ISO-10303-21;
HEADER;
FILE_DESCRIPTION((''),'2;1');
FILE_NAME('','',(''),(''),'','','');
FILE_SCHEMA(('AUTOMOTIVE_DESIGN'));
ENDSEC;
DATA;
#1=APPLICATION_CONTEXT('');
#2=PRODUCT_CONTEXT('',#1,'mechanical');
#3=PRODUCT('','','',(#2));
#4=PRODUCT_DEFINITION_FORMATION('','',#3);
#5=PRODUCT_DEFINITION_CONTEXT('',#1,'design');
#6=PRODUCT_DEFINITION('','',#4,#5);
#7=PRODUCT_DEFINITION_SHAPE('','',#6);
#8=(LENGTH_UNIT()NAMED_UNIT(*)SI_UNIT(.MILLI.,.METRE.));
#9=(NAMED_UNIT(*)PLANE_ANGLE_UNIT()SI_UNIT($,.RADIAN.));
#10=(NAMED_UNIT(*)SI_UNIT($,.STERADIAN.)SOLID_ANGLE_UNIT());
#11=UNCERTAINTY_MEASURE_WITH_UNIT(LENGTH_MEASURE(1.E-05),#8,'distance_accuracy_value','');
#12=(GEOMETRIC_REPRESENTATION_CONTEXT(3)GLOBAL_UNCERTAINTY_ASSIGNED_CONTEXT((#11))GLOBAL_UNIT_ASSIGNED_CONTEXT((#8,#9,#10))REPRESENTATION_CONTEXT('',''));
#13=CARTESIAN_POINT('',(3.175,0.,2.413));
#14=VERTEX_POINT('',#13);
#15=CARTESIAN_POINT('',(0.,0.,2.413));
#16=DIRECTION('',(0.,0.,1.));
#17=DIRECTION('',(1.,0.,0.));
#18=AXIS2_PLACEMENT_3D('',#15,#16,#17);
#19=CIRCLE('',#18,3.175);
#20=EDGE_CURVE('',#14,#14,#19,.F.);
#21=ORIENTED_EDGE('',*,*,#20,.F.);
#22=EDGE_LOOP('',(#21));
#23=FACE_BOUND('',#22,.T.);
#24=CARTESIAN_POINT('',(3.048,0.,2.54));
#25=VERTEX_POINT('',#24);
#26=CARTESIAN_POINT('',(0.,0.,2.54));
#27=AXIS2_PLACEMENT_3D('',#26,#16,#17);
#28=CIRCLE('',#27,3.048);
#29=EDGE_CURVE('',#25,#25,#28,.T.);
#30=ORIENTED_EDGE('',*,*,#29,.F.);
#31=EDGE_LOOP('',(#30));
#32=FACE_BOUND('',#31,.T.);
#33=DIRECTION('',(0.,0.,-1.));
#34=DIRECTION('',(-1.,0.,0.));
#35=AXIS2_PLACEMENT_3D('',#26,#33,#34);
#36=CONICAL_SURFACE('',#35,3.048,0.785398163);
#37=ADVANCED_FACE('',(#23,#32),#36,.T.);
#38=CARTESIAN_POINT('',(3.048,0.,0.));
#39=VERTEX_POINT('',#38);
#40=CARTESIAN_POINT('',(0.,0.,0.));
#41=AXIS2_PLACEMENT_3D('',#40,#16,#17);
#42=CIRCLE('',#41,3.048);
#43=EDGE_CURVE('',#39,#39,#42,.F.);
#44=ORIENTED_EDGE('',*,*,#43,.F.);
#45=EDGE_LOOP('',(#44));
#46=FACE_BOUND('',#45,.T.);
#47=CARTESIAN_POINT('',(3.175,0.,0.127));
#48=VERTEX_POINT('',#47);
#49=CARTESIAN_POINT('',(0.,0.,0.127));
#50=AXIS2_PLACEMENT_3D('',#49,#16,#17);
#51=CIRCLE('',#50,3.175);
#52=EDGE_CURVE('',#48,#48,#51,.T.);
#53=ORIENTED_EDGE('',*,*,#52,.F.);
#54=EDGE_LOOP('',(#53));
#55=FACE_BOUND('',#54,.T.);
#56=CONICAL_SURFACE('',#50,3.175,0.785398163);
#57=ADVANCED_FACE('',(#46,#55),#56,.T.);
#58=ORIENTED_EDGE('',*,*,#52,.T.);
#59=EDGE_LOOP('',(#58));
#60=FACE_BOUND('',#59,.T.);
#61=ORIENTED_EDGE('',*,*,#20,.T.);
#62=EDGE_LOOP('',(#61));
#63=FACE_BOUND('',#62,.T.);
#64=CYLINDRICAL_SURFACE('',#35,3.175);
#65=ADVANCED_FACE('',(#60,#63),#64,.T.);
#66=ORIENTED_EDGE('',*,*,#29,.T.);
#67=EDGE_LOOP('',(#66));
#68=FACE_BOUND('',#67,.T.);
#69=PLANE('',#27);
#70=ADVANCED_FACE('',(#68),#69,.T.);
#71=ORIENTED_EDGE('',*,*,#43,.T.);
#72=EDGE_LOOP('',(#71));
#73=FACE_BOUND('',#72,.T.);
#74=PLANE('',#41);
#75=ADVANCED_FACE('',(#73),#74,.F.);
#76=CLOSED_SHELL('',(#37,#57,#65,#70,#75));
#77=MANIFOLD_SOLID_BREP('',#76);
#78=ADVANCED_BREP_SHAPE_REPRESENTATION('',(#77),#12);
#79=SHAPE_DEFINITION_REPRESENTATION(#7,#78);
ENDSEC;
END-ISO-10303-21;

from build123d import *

# Parameters (mm, degrees)
SKETCH1_R           = 3.175
BOSS_EXTRUDE1_DEPTH = 2.54
CHAMFER1_SIZE       = 0.127


with BuildPart() as part:
    # Sketch1 → Boss-Extrude1 (new body)
    with BuildSketch(Plane.XY):
        Circle(SKETCH1_R)
    extrude(amount=BOSS_EXTRUDE1_DEPTH)

    # Chamfer1
    chamfer1_edges = [part.edges().sort_by_distance(p)[0] for p in [
        (-3.175, 0, 0),
        (-3.175, 0, 2.54),
    ]]
    chamfer(chamfer1_edges, length=CHAMFER1_SIZE)


solid = part.part
